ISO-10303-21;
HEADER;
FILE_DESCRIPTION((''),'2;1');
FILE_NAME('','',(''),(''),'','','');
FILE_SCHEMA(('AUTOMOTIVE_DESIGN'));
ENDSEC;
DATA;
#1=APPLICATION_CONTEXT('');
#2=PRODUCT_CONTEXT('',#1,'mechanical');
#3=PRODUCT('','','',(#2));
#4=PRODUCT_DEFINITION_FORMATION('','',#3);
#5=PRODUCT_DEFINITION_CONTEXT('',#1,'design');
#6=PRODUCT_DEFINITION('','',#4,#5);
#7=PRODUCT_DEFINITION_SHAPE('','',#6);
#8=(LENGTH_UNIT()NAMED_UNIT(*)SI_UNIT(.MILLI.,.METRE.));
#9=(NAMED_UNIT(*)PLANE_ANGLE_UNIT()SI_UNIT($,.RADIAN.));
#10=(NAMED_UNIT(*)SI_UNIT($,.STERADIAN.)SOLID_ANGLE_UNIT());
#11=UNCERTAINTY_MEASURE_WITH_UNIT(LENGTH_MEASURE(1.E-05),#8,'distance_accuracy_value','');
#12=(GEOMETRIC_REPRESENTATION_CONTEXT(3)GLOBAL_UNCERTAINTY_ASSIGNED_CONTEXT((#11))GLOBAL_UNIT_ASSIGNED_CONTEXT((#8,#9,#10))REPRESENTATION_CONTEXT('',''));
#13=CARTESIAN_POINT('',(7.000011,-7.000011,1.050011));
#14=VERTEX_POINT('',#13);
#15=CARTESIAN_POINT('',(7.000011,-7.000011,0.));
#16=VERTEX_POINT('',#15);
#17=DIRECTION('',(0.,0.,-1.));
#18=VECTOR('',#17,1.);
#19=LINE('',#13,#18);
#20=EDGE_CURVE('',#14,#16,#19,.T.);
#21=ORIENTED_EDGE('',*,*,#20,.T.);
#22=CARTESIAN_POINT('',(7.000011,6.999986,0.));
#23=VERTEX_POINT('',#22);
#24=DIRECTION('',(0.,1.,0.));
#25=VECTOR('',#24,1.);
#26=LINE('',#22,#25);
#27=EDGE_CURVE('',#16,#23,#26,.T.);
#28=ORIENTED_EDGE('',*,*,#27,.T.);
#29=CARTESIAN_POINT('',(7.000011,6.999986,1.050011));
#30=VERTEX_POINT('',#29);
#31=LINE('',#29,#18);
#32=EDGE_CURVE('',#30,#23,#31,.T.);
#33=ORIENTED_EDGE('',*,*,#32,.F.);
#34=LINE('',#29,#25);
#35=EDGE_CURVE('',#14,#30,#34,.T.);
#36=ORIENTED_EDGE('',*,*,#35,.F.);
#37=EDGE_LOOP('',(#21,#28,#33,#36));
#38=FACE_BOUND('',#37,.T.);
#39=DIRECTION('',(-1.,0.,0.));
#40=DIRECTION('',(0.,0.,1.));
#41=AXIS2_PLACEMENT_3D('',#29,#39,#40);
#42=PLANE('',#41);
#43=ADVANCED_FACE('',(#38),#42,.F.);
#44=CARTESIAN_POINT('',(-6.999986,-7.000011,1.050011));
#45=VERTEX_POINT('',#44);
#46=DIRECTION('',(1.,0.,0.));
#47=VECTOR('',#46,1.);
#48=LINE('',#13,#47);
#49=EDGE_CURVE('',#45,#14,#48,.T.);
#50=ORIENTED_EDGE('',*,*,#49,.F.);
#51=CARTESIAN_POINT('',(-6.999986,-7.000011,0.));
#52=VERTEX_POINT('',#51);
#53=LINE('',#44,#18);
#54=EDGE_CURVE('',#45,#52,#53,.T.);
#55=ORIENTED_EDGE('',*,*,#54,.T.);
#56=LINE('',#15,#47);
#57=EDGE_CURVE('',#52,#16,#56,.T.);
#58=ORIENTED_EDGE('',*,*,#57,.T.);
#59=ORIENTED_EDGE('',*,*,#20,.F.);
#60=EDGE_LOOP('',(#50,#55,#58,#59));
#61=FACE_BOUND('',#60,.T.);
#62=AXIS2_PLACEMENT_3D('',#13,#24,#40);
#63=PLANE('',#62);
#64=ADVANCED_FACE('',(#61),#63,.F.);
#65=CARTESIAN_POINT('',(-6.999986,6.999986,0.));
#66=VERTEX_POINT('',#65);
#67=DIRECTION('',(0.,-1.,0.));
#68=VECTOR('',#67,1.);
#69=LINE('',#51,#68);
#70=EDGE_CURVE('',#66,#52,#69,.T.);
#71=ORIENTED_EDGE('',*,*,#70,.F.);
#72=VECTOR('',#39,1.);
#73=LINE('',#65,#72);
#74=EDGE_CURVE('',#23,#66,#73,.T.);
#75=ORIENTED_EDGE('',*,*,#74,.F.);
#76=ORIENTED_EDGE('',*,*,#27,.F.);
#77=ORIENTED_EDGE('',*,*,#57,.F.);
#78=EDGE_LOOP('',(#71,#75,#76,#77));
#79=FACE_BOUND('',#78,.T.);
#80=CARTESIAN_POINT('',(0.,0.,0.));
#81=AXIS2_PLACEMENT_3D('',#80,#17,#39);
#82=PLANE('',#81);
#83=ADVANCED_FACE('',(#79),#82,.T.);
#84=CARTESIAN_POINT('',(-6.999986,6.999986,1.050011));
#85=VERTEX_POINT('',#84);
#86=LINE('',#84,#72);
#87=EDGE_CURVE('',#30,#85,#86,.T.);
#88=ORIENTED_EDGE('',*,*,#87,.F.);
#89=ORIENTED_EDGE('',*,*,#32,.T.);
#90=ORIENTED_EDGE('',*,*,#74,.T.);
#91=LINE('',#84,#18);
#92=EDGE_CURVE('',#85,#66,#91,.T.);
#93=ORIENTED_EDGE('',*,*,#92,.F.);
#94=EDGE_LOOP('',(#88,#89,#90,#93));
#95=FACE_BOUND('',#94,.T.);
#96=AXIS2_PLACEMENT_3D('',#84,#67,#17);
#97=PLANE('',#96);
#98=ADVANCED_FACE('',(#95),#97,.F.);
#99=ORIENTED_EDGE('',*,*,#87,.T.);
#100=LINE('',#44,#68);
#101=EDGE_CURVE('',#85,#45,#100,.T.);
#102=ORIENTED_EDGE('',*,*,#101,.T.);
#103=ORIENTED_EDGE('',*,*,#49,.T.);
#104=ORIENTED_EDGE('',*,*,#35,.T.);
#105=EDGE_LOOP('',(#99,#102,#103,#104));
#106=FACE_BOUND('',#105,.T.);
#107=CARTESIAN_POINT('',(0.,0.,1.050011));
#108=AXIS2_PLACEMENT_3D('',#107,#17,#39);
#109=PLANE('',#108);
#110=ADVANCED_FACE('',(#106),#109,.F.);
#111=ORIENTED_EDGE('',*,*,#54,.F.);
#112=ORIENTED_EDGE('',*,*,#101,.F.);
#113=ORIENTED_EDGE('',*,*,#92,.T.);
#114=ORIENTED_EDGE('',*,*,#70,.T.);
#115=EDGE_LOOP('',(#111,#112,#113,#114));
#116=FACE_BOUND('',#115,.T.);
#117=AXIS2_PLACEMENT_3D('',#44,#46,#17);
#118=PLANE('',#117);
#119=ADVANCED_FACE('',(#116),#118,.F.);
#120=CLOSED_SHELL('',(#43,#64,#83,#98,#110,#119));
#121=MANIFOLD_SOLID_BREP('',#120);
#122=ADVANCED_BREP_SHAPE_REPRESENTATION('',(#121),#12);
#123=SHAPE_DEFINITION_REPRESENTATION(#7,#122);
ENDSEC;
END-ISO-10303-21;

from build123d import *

# Parameters (mm, degrees)
SKETCH1_W               = 13.9999974
SKETCH1_H               = 13.9999974
COMPONENT_OUTLINE_DEPTH = 1.0500106


with BuildPart() as part:
    # Sketch1 → Component_Outline (new body)
    with BuildSketch(Plane.XY):
        with Locations((1.27e-05, -1.27e-05)):
            Rectangle(SKETCH1_W, SKETCH1_H)
    extrude(amount=COMPONENT_OUTLINE_DEPTH)


solid = part.part
